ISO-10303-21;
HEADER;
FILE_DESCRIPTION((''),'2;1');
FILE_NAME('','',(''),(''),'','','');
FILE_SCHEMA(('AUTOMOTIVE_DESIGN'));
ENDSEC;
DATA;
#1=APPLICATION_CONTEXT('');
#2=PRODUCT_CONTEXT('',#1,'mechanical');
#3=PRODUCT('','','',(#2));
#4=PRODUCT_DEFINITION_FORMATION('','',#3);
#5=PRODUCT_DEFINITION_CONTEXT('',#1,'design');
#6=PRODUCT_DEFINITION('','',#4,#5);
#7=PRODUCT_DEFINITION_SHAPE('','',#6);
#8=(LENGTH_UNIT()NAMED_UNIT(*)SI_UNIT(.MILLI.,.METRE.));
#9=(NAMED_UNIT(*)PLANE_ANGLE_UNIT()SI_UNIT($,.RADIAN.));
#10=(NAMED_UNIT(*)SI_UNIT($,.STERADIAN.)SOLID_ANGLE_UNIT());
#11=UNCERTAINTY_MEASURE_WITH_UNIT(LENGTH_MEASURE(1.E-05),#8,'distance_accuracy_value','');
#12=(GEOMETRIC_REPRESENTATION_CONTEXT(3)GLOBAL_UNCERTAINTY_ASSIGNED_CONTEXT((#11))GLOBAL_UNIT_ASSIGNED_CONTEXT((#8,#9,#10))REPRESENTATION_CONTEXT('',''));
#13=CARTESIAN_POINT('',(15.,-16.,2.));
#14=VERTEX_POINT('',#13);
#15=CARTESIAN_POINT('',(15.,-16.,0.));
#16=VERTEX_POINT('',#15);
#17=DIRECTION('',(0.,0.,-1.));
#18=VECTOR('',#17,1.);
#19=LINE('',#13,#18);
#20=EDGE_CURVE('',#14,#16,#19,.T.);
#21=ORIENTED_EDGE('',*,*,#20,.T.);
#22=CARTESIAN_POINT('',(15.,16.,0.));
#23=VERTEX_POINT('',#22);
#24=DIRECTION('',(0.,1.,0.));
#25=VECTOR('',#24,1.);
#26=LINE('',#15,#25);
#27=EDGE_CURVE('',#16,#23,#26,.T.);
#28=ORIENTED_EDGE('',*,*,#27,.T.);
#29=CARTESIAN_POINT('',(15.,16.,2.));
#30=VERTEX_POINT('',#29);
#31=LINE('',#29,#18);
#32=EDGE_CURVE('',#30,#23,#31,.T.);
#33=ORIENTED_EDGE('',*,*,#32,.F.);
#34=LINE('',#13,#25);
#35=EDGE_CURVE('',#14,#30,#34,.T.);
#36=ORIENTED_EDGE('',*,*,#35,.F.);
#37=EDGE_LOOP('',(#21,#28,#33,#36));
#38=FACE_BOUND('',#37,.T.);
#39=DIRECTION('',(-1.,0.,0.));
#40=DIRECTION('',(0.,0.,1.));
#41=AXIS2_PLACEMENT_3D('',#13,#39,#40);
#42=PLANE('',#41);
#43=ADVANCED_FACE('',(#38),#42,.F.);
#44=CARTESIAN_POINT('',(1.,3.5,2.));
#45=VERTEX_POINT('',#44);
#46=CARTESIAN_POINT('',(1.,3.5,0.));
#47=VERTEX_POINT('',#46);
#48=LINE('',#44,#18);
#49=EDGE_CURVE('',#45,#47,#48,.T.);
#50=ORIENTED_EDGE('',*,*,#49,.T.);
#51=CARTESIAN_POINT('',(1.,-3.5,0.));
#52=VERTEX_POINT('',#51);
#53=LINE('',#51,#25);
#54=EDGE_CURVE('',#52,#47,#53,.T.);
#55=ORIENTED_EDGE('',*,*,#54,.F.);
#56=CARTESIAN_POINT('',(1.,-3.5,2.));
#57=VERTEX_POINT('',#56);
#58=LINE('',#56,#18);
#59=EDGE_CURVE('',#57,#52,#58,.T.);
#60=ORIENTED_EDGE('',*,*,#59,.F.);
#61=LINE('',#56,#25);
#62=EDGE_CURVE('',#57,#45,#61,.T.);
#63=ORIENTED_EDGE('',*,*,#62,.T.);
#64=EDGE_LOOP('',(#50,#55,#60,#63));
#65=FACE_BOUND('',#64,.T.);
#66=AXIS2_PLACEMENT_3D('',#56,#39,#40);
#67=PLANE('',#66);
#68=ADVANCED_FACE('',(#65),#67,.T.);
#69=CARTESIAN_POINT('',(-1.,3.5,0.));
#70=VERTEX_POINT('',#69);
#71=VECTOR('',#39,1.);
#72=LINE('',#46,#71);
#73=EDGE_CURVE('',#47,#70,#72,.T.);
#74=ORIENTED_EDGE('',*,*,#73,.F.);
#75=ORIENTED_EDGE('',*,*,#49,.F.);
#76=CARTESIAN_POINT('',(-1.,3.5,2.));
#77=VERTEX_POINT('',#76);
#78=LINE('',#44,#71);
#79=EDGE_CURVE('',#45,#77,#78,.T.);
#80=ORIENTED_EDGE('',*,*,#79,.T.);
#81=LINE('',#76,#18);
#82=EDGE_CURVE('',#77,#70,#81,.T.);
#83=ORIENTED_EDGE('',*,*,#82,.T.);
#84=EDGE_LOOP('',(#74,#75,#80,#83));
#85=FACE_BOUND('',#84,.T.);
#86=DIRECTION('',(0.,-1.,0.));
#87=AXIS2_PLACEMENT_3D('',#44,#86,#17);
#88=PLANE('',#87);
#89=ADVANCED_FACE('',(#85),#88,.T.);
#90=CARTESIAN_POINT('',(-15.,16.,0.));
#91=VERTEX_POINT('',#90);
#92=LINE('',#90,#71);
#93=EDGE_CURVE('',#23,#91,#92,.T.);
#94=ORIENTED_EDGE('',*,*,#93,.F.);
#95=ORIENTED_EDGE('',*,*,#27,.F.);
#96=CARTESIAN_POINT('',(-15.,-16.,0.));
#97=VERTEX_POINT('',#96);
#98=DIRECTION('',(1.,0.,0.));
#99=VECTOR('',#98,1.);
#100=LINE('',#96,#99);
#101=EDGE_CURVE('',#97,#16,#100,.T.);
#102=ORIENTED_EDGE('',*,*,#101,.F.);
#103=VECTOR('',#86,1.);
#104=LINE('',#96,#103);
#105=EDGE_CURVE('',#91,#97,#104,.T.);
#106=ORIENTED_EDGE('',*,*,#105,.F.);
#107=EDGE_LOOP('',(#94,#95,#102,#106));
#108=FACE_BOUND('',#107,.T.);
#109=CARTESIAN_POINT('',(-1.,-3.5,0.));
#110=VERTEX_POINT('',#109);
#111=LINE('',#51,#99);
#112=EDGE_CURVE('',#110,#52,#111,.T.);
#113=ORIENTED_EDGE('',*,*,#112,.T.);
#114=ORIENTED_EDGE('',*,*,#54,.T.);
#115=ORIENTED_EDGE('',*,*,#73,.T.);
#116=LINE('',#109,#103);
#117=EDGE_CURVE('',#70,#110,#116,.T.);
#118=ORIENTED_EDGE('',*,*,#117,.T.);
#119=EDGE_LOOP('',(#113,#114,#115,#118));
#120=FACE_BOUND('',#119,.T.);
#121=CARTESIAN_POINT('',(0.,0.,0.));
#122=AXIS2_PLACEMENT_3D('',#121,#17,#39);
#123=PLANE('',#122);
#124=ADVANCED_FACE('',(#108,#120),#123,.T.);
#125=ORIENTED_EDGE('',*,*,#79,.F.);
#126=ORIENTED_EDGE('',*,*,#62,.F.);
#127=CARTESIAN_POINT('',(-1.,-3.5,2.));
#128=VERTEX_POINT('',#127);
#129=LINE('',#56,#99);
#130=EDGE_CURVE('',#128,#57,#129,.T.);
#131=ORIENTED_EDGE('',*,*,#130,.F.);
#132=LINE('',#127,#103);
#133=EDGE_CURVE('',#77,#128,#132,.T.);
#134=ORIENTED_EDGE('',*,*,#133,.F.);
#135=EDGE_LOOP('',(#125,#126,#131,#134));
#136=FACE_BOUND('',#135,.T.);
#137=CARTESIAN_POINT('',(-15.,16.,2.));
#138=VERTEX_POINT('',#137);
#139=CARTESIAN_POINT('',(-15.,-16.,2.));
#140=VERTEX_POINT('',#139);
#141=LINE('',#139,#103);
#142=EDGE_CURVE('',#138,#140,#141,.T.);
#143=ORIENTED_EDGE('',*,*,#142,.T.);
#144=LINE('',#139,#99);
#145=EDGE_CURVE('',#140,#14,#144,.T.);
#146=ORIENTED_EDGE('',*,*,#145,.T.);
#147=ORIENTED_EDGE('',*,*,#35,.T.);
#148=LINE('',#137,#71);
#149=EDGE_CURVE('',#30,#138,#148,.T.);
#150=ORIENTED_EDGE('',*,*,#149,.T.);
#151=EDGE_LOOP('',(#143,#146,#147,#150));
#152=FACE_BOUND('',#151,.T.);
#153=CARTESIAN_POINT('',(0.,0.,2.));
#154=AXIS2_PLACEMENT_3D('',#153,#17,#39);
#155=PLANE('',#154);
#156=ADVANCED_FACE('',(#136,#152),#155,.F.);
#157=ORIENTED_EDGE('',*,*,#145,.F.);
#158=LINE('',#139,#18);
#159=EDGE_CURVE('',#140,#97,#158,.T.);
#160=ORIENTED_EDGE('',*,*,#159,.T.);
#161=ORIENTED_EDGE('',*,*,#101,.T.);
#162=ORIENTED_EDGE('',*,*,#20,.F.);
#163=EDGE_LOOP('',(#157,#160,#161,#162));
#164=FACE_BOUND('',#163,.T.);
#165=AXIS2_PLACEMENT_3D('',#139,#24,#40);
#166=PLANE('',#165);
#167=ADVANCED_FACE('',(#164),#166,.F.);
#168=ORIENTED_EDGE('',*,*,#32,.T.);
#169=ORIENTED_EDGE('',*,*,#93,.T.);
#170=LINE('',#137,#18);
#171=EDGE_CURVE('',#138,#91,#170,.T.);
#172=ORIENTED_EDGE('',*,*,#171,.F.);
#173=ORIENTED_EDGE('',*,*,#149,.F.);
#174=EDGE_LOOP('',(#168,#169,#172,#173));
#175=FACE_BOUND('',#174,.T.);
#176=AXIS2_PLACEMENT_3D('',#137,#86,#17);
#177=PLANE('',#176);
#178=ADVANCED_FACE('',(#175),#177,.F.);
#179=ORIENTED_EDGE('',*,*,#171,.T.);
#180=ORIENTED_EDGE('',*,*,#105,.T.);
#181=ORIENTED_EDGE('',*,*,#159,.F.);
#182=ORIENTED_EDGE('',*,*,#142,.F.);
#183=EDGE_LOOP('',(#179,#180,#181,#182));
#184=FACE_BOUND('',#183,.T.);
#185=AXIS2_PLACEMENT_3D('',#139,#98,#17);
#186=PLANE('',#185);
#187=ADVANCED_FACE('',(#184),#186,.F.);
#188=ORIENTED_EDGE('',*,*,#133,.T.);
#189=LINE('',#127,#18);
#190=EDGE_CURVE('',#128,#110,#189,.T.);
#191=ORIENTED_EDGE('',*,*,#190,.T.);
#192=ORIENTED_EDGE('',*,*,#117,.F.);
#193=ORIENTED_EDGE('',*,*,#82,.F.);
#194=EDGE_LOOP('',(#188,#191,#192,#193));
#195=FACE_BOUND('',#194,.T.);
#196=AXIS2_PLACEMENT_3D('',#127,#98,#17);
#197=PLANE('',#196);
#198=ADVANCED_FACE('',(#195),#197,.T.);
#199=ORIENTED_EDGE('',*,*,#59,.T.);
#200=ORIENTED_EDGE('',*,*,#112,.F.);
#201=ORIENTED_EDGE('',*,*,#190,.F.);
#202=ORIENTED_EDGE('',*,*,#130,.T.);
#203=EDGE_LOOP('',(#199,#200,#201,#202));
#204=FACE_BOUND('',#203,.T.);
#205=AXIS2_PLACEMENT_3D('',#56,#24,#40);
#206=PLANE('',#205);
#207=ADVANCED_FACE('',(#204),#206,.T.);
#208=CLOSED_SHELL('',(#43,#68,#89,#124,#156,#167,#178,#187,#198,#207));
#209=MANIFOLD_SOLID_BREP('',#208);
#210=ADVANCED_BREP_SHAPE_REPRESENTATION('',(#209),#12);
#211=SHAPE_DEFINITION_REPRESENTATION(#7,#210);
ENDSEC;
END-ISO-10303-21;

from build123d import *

# Parameters (mm, degrees)
SKETCH1_W           = 30
SKETCH1_H           = 32
SKETCH1_W_2         = 2
SKETCH1_H_2         = 7
BOSS_EXTRUDE1_DEPTH = 2


with BuildPart() as part:
    # Sketch1 → Boss-Extrude1 (new body)
    with BuildSketch(Plane.XY):
        Rectangle(SKETCH1_W, SKETCH1_H)
        Rectangle(SKETCH1_W_2, SKETCH1_H_2, mode=Mode.SUBTRACT)
    extrude(amount=BOSS_EXTRUDE1_DEPTH)


solid = part.part
